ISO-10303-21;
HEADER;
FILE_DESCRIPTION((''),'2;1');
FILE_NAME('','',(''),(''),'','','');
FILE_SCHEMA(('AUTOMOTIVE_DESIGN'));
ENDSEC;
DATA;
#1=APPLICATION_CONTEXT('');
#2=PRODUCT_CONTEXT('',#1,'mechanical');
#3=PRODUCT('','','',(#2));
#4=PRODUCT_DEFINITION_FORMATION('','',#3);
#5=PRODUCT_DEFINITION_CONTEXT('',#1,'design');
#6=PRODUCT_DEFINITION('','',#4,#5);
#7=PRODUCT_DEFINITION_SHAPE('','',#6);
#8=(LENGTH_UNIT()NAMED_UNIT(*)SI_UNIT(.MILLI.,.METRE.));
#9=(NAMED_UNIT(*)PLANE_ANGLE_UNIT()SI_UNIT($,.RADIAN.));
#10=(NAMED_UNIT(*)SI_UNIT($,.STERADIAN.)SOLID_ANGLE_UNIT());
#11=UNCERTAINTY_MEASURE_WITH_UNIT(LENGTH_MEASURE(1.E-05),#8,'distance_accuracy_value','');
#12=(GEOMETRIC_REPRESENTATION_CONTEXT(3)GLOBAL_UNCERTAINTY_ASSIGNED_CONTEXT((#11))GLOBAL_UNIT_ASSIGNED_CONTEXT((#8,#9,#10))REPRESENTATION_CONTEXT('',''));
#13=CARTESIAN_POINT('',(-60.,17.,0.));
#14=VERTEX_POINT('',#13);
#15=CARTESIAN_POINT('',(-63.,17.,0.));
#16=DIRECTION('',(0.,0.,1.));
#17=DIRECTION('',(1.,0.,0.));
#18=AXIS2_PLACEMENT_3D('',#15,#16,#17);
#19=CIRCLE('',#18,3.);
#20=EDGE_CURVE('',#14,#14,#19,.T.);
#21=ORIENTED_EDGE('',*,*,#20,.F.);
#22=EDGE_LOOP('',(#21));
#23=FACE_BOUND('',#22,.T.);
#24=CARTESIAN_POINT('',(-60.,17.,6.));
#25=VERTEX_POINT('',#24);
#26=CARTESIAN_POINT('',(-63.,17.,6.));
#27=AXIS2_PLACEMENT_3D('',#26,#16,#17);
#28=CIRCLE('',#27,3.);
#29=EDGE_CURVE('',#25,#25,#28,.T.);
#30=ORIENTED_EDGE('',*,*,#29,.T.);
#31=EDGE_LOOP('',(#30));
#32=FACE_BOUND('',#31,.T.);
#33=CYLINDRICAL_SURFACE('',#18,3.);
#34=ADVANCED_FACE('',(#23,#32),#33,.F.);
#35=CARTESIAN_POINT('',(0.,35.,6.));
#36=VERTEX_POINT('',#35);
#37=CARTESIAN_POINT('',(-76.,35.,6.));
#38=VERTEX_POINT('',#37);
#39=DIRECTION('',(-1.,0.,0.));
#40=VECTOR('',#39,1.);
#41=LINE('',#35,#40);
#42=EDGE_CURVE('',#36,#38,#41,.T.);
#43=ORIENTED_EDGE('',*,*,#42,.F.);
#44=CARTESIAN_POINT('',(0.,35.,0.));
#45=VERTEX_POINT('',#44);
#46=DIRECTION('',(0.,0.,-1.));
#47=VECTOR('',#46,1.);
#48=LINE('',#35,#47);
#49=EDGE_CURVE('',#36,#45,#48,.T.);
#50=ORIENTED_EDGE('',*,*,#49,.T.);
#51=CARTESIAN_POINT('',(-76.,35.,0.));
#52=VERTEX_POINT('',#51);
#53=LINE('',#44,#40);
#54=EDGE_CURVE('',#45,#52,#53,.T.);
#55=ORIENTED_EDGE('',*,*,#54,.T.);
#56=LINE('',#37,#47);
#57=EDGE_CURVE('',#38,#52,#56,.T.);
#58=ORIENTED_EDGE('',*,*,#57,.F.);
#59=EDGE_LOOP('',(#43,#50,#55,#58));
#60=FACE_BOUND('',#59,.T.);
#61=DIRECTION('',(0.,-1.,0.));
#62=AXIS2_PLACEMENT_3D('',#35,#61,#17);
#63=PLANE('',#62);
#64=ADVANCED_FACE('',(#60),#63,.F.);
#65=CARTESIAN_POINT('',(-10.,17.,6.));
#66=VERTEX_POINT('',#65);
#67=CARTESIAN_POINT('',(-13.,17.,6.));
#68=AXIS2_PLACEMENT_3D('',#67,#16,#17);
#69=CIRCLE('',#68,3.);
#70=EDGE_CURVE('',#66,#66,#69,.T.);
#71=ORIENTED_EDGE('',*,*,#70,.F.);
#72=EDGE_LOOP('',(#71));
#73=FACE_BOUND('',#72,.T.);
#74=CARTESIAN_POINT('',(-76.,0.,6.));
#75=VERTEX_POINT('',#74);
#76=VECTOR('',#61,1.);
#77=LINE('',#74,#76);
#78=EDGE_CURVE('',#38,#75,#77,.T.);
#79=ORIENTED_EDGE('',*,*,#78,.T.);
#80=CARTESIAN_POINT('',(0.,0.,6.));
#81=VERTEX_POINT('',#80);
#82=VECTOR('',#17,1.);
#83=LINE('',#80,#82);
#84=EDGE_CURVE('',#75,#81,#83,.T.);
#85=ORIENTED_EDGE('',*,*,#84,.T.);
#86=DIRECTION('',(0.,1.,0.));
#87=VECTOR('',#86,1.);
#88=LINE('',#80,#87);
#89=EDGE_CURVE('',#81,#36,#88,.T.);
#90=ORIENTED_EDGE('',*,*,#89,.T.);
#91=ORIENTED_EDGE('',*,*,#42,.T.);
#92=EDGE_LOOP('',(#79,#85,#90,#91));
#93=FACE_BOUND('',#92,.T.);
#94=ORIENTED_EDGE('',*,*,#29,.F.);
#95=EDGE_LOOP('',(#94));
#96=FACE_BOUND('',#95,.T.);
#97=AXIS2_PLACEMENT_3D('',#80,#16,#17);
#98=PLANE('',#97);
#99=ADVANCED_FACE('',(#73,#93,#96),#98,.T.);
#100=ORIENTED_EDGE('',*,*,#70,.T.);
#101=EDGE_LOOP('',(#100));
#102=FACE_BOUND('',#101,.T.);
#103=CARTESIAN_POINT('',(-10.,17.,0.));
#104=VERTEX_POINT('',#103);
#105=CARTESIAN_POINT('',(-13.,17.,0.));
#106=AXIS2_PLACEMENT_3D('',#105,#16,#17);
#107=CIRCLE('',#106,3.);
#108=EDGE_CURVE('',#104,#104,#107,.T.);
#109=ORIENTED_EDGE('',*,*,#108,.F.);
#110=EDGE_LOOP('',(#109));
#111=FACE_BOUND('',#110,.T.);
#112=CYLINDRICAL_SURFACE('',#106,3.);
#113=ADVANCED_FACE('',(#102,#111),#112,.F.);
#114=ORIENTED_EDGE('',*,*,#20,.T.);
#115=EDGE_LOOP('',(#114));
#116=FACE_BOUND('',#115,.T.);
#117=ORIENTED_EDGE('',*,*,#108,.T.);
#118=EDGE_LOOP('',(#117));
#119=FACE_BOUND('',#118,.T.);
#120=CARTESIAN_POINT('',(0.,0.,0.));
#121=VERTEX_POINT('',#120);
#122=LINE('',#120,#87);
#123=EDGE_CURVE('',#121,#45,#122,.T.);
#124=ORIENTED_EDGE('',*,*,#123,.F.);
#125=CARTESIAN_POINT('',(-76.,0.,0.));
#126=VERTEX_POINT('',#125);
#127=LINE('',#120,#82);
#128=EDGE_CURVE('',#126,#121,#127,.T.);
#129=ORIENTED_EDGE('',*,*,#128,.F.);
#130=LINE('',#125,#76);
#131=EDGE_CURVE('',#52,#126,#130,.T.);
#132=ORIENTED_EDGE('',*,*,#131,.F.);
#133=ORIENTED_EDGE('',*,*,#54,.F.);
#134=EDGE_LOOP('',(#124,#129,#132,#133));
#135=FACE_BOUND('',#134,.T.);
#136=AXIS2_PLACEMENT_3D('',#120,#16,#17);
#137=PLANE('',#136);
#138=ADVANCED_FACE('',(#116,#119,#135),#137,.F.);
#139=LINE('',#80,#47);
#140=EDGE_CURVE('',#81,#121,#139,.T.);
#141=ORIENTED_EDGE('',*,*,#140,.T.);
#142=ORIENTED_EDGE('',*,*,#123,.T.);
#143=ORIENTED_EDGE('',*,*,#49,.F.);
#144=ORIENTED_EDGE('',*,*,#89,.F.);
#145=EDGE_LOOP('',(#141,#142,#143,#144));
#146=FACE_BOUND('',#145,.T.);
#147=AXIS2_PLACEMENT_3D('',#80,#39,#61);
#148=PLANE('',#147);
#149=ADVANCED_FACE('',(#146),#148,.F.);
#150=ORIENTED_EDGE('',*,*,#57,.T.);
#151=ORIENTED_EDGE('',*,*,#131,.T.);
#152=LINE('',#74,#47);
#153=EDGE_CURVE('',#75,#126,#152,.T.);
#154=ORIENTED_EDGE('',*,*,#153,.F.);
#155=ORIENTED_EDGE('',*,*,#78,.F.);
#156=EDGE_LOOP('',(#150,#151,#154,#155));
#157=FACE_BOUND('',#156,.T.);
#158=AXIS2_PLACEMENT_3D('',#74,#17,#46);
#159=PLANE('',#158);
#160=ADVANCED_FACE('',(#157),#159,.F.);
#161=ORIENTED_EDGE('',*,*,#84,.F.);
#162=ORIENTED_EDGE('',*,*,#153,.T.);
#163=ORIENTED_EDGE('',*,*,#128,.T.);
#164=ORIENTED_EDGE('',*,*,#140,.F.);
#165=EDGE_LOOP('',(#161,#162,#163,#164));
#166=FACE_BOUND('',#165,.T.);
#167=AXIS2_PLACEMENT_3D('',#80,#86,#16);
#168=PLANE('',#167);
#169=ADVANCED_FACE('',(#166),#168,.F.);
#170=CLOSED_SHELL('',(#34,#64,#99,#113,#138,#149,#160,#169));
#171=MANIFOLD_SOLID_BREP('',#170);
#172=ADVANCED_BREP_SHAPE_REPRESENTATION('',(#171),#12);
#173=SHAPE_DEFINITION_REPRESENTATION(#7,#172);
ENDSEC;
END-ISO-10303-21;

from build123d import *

# Parameters (mm, degrees)
SKETCH1_W           = 76
SKETCH1_H           = 35
BOSS_EXTRUDE1_DEPTH = 6
SKETCH2_R           = 3
CUT_EXTRUDE1_DEPTH  = 6


with BuildPart() as part:
    # Sketch1 → Boss-Extrude1 (new body)
    with BuildSketch(Plane.XY):
        with Locations((-38, 17.5)):
            Rectangle(SKETCH1_W, SKETCH1_H)
    extrude(amount=BOSS_EXTRUDE1_DEPTH)

    # Sketch2 → Cut-Extrude1 (cut)
    with BuildSketch(Plane.XY.offset(6)):
        with Locations((-13, 17)):
            Circle(SKETCH2_R)
        with Locations((-63, 17)):
            Circle(SKETCH2_R)
    extrude(amount=-CUT_EXTRUDE1_DEPTH, mode=Mode.SUBTRACT)


solid = part.part
